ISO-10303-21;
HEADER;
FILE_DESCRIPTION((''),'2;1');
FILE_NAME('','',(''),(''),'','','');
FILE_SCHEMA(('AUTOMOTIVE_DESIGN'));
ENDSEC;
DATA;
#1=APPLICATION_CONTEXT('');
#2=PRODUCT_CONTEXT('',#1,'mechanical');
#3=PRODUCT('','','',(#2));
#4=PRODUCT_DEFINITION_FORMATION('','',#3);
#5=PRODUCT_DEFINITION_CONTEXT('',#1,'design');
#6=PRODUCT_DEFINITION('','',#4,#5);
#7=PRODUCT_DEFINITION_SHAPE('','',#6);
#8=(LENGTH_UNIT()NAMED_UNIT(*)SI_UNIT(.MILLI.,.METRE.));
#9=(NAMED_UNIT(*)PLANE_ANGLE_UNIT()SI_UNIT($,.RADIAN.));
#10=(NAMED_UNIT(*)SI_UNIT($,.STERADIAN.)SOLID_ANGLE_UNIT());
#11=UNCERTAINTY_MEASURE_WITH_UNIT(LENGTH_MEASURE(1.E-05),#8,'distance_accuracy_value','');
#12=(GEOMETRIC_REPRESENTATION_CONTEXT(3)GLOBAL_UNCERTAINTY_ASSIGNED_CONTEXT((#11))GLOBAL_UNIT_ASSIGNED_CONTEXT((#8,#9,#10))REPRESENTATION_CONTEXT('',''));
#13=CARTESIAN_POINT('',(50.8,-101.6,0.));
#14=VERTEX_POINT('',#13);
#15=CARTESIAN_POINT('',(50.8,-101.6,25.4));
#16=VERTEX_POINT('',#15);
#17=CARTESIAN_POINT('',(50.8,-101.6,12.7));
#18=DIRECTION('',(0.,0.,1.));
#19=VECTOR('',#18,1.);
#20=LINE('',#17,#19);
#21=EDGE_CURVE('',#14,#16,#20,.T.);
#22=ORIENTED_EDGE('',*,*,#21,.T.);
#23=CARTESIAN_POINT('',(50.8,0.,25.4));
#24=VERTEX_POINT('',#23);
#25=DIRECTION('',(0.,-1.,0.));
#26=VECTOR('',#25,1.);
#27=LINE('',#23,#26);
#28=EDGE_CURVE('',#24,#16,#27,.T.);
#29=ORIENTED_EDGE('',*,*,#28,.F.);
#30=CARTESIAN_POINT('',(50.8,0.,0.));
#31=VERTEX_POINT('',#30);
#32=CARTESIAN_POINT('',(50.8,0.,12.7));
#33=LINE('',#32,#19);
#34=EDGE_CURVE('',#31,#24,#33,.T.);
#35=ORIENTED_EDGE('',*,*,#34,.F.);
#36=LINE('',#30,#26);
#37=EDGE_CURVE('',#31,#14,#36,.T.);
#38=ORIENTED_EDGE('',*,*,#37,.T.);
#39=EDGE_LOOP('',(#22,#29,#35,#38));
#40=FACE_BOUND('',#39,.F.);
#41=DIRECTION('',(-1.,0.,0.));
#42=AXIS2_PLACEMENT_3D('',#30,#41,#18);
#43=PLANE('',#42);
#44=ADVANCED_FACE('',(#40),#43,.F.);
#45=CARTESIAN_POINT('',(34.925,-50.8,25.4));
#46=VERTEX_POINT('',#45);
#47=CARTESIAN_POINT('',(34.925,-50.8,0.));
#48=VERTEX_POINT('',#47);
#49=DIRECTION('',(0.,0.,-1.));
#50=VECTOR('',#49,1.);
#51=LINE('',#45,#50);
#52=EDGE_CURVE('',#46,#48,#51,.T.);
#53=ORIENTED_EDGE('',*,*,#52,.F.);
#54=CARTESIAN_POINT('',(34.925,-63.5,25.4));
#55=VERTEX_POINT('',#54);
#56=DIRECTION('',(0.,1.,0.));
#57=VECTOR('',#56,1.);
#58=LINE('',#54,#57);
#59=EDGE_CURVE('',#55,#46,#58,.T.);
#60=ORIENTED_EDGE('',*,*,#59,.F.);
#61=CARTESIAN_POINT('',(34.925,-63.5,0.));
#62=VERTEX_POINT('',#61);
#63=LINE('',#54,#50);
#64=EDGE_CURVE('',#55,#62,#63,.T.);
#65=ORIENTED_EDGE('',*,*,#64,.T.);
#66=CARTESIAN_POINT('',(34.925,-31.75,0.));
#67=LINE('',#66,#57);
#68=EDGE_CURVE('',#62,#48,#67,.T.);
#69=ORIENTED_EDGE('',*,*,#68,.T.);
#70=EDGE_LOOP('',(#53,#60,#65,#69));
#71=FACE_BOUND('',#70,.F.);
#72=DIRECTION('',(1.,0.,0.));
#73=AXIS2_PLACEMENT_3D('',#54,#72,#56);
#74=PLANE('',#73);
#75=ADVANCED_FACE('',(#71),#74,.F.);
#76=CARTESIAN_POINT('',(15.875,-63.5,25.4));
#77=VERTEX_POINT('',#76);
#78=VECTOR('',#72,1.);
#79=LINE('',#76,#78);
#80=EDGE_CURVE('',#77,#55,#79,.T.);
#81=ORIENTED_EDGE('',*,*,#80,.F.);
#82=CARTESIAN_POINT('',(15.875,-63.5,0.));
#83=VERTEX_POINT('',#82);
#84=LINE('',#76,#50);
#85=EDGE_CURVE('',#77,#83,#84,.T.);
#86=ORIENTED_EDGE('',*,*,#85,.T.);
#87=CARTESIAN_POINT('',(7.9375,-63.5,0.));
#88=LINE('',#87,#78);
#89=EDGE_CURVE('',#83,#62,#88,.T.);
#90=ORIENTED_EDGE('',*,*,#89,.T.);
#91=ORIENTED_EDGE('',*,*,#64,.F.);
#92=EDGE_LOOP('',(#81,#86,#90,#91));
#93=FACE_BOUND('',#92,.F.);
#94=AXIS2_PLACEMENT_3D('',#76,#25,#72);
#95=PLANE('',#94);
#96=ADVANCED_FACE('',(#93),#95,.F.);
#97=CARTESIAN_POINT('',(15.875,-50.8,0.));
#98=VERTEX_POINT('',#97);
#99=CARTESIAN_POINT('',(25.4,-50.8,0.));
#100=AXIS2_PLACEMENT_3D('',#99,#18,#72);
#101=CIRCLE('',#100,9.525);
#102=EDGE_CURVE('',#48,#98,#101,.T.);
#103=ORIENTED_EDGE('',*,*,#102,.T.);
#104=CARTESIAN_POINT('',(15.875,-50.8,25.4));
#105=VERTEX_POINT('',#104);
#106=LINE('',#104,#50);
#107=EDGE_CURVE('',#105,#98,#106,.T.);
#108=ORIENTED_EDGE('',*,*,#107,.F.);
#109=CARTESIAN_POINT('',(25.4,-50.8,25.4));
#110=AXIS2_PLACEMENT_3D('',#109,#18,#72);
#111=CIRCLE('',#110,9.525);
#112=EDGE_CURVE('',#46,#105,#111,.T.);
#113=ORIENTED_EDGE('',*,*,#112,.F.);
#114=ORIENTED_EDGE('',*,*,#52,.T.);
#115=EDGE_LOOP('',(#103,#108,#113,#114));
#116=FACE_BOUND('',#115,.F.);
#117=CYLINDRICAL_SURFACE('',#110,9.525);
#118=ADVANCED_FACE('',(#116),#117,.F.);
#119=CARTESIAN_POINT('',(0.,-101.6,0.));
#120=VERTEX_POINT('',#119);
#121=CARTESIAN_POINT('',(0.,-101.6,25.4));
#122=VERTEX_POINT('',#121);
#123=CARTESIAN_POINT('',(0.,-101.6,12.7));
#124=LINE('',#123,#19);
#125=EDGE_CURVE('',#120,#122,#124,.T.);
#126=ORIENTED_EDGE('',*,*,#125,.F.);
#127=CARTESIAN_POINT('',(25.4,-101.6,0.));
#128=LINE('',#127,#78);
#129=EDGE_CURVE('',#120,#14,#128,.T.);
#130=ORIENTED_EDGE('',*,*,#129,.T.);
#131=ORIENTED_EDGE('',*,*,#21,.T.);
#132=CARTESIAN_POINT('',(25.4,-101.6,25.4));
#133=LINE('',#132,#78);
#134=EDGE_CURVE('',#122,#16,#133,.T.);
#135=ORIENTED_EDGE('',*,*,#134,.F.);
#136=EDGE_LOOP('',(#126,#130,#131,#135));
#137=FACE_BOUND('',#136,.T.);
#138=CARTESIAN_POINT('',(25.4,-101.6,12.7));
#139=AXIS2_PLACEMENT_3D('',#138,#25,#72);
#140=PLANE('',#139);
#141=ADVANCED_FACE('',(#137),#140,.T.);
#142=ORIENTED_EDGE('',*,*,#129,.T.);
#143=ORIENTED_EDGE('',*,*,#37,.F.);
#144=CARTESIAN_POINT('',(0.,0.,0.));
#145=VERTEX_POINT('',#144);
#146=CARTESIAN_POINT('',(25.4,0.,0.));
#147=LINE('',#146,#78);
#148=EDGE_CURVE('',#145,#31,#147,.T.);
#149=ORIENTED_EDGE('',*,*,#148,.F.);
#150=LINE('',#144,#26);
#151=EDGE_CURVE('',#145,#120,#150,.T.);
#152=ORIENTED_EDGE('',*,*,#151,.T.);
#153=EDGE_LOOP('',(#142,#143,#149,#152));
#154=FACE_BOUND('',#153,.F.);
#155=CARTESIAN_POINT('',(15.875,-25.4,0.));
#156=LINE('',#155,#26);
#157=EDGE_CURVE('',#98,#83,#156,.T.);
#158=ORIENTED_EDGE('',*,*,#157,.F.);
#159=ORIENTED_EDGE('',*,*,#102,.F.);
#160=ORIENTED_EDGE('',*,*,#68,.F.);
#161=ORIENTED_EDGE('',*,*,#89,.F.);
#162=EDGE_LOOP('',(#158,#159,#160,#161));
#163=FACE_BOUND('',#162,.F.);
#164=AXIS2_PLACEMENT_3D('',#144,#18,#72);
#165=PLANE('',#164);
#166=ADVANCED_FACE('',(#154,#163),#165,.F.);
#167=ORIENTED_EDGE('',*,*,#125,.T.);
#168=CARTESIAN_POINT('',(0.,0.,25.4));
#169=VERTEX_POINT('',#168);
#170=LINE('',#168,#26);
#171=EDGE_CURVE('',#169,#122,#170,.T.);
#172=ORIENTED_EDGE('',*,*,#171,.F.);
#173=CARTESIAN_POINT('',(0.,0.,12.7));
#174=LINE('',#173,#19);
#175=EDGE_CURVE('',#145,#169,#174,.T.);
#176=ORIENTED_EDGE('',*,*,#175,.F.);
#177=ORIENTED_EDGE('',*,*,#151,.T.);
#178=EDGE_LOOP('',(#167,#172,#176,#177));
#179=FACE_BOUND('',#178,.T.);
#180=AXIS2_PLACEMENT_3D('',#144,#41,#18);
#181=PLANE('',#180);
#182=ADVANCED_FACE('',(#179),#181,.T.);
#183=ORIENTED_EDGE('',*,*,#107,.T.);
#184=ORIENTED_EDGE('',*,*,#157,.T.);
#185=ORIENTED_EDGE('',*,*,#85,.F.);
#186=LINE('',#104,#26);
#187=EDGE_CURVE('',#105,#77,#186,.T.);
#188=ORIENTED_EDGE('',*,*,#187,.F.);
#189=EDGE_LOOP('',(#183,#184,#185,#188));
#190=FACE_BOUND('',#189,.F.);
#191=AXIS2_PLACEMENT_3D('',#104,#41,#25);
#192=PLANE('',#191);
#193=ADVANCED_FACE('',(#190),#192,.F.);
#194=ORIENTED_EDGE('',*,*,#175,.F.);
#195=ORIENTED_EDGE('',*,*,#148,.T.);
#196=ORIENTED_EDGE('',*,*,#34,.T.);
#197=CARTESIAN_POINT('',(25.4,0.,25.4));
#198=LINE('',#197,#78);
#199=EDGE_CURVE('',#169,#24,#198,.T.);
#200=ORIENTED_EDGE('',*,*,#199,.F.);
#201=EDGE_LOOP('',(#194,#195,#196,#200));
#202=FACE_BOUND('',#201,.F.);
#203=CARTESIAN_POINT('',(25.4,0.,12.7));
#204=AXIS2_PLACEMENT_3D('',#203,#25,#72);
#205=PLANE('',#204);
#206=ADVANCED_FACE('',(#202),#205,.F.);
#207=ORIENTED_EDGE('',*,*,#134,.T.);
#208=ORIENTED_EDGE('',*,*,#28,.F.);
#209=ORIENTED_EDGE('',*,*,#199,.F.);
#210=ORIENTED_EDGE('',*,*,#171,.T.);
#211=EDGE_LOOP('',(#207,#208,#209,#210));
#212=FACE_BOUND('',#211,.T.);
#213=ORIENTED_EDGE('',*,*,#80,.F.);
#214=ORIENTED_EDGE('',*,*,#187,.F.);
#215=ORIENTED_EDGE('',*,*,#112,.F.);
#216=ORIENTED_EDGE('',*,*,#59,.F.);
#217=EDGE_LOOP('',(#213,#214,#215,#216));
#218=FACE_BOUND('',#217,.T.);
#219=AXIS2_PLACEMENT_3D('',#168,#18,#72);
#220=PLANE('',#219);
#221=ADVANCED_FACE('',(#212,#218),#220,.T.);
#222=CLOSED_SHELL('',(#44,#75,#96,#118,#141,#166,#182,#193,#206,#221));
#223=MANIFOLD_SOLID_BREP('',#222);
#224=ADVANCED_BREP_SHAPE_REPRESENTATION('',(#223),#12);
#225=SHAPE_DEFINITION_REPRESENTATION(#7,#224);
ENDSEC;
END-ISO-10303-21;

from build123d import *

# Parameters (mm, degrees)
F0_W     = 50.8
F0_H     = 25.4
F1_DEPTH = 101.6
F3_DEPTH = 25.401


with BuildPart() as f1:
    # F0 (on Front) → F1 (new body)
    with BuildSketch(Plane.XZ):
        with Locations((25.4, 12.7)):
            Rectangle(F0_W, F0_H)
    extrude(amount=F1_DEPTH)

    # F2 (on face) → F3 (cut, through all)
    with BuildSketch(Plane.XY.offset(25.4)):
        with BuildLine():
            Line((15.875, -50.8), (15.875, -63.5))
            Line((15.875, -63.5), (34.925, -63.5))
            Line((34.925, -63.5), (34.925, -50.8))
            ThreePointArc((34.925, -50.8), (25.4, -41.275), (15.875, -50.8))
        make_face()
    extrude(amount=-F3_DEPTH, mode=Mode.SUBTRACT)


solid = f1.part
